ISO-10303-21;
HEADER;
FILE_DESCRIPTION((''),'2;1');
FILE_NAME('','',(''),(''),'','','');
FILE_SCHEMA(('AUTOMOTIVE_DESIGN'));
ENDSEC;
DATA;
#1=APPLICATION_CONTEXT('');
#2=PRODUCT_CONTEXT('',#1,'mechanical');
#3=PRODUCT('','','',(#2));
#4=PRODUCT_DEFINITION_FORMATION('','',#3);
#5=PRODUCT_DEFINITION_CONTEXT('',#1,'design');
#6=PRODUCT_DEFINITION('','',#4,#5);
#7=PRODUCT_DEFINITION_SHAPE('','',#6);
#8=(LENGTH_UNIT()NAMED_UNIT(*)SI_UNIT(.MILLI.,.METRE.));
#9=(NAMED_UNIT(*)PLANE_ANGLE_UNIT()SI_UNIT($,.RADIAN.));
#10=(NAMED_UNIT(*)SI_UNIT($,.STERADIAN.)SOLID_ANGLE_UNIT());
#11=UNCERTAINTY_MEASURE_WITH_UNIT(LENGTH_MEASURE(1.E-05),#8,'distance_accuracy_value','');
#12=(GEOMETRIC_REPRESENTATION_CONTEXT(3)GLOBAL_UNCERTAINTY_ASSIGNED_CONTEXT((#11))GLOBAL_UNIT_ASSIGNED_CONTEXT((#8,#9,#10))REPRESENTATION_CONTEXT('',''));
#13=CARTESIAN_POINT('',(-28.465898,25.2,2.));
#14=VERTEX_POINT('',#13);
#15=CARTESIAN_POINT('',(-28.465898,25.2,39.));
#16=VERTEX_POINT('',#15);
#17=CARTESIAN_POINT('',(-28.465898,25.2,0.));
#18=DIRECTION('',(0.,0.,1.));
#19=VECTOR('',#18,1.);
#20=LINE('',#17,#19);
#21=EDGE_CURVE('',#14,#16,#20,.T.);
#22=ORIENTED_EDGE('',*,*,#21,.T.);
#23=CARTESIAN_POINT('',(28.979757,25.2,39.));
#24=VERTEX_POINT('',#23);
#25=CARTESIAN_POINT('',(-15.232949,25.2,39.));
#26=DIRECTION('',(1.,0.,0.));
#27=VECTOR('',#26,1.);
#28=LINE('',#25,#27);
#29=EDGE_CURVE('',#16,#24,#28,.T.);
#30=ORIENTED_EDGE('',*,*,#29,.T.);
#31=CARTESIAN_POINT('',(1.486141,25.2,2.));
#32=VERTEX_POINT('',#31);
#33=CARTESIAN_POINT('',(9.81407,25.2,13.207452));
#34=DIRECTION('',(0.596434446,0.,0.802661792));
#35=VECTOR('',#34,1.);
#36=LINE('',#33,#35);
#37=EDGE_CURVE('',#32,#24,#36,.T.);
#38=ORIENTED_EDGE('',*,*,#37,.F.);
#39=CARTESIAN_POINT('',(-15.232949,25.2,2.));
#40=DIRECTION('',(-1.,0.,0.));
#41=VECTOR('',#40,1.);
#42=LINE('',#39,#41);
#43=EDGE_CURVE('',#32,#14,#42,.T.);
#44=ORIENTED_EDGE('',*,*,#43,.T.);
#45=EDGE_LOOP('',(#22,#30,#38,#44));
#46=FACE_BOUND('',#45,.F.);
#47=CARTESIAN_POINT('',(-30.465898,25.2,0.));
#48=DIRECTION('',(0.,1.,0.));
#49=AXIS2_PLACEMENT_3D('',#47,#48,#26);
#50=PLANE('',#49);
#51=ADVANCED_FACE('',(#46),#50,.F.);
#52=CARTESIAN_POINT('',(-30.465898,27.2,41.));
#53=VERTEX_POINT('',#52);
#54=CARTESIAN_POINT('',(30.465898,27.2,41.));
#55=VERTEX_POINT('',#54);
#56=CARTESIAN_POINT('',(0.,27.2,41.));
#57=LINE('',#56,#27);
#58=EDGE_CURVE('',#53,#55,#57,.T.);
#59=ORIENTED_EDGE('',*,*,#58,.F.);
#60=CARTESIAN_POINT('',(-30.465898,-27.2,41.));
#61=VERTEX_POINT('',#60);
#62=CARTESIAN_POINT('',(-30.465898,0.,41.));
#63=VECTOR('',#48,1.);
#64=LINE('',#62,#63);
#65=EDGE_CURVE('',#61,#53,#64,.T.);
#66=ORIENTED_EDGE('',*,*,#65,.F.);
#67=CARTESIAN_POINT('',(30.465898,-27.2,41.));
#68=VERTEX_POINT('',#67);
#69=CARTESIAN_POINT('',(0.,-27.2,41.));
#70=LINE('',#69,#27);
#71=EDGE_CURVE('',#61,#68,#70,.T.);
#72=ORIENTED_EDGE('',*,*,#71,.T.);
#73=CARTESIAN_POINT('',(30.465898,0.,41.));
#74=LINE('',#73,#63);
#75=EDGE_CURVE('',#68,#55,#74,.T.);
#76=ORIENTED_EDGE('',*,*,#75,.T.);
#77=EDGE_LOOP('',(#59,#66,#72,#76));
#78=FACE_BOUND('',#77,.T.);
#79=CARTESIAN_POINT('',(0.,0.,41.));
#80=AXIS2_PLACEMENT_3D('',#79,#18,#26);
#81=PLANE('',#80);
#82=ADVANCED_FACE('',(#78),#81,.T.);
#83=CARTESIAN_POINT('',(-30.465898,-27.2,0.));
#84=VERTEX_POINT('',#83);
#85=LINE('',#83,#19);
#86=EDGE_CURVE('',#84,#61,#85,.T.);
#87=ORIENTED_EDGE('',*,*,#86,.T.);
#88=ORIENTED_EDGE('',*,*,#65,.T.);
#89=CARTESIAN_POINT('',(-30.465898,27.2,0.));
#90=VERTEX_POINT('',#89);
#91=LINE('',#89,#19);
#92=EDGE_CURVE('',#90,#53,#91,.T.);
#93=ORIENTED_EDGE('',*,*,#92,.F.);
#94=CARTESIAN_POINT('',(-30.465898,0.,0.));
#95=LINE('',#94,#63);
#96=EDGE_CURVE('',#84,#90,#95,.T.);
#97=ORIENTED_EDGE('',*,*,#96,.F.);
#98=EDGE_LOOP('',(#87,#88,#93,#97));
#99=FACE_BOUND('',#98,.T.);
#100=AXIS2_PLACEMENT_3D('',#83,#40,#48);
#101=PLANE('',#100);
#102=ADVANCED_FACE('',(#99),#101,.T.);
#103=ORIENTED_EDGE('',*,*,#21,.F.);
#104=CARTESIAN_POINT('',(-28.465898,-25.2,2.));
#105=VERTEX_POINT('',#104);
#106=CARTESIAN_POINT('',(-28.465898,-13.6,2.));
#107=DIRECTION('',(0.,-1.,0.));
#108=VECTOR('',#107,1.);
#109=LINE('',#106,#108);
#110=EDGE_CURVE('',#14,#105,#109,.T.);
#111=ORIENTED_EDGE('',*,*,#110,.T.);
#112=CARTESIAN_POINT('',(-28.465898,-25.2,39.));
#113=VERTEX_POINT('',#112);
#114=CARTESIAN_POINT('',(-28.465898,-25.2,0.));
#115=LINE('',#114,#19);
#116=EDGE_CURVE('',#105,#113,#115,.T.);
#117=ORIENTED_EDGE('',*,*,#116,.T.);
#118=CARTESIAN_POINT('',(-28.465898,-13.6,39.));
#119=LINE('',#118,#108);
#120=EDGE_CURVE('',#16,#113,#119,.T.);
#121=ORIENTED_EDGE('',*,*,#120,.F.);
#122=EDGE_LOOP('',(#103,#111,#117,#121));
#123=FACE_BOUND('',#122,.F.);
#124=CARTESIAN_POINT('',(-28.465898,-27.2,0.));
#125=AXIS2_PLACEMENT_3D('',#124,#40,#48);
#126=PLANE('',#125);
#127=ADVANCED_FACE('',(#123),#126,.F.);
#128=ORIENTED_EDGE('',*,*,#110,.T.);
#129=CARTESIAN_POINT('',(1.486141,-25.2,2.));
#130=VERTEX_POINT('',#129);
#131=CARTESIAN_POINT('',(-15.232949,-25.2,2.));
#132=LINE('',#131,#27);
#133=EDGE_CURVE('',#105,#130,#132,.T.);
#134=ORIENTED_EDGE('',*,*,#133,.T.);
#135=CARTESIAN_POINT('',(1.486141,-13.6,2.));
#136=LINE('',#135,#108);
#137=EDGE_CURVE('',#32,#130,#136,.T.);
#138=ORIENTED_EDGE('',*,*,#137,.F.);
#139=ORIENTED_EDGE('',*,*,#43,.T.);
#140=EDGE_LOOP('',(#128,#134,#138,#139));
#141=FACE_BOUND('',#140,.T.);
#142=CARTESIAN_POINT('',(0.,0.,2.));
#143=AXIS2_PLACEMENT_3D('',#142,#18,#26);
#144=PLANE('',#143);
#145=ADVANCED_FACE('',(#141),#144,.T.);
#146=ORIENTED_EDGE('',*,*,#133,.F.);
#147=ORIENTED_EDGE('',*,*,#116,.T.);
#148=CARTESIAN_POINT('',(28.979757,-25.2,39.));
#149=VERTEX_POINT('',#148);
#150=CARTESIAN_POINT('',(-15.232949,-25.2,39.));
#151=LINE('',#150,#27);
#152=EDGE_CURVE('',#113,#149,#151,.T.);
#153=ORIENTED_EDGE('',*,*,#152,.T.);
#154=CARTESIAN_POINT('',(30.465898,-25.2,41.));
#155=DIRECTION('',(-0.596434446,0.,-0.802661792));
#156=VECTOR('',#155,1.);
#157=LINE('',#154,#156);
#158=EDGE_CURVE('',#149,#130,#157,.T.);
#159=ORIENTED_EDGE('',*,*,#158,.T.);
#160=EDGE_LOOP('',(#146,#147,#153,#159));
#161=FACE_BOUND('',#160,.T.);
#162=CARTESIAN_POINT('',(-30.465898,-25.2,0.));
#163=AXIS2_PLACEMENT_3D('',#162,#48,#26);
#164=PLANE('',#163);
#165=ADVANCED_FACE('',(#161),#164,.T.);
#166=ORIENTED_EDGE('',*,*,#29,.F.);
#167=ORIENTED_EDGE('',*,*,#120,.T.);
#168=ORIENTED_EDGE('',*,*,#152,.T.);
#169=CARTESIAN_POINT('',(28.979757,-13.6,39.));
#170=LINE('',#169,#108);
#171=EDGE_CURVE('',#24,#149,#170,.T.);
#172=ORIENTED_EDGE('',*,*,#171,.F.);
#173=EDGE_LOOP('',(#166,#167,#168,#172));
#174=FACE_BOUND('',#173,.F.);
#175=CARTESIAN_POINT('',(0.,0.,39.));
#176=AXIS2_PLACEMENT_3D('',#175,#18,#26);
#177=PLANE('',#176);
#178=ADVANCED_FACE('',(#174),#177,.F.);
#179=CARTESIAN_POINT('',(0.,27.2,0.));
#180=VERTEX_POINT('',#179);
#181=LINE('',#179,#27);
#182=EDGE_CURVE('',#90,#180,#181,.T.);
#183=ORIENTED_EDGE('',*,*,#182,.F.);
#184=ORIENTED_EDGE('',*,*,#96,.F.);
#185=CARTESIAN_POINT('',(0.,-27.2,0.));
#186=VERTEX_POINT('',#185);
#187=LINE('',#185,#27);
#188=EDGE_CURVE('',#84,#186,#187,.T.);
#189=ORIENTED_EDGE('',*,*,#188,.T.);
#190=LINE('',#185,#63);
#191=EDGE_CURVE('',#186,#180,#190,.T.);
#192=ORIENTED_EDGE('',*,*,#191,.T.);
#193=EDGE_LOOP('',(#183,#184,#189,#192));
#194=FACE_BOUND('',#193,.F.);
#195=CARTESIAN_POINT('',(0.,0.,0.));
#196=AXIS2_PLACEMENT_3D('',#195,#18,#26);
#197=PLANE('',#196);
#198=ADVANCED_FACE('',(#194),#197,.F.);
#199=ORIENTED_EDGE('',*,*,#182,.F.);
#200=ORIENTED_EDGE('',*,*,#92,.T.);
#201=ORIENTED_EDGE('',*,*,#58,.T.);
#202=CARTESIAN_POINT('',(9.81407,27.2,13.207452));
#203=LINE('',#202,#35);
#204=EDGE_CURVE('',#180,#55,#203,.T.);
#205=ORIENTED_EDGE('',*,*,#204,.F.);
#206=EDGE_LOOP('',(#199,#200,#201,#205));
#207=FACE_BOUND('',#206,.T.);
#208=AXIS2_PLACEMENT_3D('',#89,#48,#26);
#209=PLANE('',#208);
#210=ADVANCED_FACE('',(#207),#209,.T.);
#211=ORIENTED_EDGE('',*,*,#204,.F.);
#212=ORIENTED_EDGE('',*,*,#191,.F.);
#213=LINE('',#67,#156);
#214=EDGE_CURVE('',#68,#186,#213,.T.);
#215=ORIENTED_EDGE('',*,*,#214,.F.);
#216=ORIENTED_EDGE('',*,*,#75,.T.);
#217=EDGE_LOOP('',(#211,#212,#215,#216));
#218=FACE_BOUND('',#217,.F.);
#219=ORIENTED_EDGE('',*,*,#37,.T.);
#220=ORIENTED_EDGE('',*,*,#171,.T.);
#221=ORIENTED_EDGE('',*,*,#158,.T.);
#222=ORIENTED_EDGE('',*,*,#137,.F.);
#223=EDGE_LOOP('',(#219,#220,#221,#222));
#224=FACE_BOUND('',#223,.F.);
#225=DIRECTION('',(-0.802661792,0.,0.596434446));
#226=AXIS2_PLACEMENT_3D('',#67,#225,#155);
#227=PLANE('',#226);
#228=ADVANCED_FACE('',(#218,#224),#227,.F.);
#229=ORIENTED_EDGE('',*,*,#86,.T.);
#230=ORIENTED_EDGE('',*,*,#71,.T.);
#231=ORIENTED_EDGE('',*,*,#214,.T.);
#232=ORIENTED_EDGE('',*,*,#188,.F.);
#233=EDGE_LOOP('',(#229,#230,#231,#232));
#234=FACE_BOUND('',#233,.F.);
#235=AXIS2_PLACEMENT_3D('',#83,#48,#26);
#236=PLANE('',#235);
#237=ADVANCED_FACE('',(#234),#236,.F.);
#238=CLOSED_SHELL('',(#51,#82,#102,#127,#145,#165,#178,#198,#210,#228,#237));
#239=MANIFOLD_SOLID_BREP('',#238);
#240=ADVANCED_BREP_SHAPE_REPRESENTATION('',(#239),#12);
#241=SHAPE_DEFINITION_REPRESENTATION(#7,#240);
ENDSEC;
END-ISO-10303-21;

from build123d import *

# Parameters (mm, degrees)
F0_W     = 60.931796
F0_H     = 54.4
F0_W_2   = 56.931796
F0_H_2   = 50.4
F1_DEPTH = 41
F3_DEPTH = 54.401
F4_T     = -2


with BuildPart() as f1:
    # F0 (on Top) → F1 (new body)
    with BuildSketch(Plane.XY):
        Rectangle(F0_W, F0_H)
        Rectangle(F0_W_2, F0_H_2, mode=Mode.SUBTRACT)
        Rectangle(F0_W_2, F0_H_2)
    extrude(amount=F1_DEPTH)

    # F2 (on face) → F3 (cut, through all)
    with BuildSketch(Plane.XZ.offset(27.2)):
        Polygon((30.465898, 0), (30.465898, 41), (0, 0), align=None)
    extrude(amount=-F3_DEPTH, mode=Mode.SUBTRACT)

    # F4
    f4_openings = [f1.faces().sort_by_distance(p)[0] for p in [
        (15.232949, 0, 20.5),
    ]]
    offset(amount=F4_T, openings=f4_openings)


solid = f1.part
